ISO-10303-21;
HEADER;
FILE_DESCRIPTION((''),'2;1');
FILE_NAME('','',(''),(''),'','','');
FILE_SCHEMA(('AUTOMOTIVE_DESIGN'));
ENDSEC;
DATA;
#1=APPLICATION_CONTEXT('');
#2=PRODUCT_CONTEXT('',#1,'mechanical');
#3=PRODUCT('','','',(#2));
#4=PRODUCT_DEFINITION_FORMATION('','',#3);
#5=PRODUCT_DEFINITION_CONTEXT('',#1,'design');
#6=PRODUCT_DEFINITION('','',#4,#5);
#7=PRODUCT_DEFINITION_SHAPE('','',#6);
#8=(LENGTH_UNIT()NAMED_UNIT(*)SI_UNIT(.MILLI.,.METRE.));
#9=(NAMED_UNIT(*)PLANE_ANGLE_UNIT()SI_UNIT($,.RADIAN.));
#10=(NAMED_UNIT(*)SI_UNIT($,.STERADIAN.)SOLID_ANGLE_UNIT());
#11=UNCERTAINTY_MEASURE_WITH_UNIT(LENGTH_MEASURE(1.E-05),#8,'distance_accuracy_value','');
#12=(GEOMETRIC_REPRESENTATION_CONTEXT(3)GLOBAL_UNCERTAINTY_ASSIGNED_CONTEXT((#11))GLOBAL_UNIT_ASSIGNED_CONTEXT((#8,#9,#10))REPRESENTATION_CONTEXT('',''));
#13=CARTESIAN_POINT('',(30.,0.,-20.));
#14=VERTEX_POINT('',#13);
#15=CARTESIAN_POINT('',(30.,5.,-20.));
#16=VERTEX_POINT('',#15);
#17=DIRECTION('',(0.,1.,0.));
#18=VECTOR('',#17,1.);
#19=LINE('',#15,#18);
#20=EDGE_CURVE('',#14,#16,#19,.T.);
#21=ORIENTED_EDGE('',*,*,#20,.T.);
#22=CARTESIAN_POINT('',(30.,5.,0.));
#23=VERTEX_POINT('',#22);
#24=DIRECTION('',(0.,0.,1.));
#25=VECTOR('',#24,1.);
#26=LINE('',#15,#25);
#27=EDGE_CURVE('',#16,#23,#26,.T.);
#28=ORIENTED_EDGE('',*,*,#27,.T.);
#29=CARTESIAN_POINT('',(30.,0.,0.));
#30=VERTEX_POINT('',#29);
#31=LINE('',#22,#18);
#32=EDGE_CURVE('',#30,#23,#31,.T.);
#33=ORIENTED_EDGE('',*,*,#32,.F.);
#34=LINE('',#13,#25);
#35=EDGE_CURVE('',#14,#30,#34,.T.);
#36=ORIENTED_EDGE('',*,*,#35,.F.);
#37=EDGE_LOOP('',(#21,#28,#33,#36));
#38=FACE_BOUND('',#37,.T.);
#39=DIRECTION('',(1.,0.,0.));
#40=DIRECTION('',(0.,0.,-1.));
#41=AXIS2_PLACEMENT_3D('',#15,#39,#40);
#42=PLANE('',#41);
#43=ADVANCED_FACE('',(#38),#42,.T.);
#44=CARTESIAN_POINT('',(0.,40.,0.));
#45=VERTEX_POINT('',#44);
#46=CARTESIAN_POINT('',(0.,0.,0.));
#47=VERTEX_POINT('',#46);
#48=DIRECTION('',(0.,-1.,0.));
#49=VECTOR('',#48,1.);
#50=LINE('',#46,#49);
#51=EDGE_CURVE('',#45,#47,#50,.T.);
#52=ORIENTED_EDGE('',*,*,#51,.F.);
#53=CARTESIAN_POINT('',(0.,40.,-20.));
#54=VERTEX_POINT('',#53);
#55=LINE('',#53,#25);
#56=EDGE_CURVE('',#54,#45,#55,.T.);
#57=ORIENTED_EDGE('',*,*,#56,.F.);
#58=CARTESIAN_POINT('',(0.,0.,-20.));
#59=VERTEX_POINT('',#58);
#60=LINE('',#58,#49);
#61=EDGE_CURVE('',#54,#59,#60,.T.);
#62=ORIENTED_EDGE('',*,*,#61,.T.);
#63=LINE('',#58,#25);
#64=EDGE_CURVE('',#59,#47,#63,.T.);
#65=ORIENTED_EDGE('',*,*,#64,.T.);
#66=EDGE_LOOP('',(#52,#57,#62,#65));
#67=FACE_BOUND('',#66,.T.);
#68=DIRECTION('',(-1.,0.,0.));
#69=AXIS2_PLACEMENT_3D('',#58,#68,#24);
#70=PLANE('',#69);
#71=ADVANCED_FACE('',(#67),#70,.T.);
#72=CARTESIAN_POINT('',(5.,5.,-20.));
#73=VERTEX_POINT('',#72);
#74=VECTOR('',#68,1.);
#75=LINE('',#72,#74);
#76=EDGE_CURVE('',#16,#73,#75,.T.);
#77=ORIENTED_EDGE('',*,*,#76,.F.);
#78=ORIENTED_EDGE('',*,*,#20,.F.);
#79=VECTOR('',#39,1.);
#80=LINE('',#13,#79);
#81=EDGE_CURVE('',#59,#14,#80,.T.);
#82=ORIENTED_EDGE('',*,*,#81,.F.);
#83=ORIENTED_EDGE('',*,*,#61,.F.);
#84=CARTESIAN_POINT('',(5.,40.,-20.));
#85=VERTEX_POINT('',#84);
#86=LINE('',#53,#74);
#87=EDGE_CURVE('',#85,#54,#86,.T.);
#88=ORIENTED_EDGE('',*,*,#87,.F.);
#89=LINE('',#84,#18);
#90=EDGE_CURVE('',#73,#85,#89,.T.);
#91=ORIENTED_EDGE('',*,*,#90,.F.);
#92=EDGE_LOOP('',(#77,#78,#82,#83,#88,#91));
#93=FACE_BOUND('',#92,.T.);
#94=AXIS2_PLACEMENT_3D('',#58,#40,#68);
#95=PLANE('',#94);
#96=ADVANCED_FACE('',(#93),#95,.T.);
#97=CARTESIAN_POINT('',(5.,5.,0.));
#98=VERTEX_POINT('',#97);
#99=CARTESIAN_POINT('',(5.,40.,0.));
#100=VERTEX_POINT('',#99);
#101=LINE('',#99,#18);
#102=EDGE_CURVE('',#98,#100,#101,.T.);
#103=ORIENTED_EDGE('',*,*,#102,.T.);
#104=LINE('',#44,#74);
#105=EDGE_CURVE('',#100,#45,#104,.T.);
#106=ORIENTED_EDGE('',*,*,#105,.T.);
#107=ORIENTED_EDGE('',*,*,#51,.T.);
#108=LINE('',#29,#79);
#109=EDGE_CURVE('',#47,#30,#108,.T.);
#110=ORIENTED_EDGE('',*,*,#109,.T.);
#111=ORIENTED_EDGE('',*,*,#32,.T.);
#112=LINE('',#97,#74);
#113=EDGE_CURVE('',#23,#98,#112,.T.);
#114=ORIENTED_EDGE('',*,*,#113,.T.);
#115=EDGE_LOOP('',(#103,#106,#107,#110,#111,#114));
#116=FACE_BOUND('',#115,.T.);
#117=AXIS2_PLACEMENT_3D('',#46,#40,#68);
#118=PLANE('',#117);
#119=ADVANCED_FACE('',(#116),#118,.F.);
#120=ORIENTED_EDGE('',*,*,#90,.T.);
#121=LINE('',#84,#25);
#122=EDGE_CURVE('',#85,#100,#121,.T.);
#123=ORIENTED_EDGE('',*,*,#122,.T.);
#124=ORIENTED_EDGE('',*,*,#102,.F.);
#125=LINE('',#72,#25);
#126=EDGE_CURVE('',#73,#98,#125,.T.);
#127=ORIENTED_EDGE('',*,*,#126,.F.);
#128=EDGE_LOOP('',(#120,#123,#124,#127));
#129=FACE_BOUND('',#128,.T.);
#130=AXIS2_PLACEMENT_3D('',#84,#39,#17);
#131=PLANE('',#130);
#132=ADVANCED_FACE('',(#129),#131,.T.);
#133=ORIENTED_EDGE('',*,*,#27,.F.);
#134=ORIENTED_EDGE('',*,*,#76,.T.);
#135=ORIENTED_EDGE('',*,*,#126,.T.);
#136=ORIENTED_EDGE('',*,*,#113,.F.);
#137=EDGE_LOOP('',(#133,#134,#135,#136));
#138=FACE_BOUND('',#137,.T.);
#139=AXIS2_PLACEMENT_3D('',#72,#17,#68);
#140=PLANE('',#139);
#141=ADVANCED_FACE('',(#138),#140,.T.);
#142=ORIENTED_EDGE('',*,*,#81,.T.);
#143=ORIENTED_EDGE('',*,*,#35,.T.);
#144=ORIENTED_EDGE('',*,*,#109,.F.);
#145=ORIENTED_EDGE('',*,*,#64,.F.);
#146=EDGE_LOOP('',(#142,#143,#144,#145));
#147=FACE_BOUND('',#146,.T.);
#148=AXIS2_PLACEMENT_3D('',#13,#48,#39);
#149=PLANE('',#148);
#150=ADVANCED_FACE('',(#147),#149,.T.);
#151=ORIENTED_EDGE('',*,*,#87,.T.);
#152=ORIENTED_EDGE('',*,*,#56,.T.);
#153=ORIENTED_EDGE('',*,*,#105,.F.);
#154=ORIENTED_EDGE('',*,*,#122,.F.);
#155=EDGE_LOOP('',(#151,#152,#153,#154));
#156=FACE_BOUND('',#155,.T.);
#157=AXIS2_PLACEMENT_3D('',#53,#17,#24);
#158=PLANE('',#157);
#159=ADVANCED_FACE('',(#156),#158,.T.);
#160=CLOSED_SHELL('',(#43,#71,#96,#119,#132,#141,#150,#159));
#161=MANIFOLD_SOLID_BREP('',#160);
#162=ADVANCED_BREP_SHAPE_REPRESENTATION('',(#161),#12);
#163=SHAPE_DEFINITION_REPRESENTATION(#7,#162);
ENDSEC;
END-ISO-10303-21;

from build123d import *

# Parameters (mm, degrees)
BOSS_EXTRUDE1_DEPTH = 20


with BuildPart() as part:
    # Sketch2 → Boss-Extrude1 (new body)
    with BuildSketch(Plane.XY):
        Polygon((0, 0), (0, 40), (5, 40), (5, 5), (30, 5), (30, 0), align=None)
    extrude(amount=-BOSS_EXTRUDE1_DEPTH)


solid = part.part
